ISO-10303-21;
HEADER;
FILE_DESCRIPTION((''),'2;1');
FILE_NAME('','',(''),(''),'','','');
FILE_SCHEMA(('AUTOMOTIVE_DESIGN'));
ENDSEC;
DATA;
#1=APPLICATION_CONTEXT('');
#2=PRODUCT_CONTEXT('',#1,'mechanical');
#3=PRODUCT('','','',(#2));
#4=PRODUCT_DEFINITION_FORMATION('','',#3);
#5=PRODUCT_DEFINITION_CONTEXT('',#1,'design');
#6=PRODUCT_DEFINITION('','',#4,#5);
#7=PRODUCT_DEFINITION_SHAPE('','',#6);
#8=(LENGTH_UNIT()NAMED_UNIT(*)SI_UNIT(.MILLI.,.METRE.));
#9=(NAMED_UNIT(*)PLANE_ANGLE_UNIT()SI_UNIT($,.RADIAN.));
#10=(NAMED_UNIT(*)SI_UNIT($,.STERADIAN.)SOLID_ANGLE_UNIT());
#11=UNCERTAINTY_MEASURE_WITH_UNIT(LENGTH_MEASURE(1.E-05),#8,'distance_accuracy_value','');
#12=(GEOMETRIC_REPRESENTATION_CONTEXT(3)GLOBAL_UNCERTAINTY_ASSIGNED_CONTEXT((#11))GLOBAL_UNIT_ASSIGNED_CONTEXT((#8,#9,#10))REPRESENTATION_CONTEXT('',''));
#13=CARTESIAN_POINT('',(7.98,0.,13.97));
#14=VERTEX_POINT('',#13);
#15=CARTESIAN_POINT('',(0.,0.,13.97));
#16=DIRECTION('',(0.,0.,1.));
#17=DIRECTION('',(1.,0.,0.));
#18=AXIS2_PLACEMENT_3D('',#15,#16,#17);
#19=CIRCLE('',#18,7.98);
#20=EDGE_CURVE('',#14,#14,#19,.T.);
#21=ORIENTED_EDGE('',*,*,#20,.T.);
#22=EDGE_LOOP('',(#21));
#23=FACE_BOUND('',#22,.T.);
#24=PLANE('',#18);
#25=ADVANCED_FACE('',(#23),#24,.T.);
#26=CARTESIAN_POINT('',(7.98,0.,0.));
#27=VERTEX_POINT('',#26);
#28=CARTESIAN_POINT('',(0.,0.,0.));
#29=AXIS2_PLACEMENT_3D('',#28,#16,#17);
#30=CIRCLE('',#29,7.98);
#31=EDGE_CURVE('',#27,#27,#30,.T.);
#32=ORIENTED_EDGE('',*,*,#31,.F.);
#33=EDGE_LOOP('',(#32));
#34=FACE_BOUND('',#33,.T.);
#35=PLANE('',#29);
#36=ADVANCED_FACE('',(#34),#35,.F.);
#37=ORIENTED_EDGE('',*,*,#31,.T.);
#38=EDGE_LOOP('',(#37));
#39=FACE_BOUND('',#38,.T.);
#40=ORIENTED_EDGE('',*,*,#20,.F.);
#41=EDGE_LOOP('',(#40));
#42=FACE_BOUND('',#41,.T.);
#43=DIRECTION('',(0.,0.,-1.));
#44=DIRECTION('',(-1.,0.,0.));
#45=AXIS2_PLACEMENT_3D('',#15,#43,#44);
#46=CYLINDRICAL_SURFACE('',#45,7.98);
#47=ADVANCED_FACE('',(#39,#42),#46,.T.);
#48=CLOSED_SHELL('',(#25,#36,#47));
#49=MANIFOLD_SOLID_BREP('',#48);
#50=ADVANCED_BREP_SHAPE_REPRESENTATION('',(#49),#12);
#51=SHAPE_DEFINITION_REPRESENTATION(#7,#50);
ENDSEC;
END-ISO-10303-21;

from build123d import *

# Parameters (mm, degrees)
SKETCH1_R      = 7.98
EXTRUDE1_DEPTH = 13.97


with BuildPart() as part:
    # Sketch1 → Extrude1 (new body)
    with BuildSketch(Plane.XY):
        Circle(SKETCH1_R)
    extrude(amount=EXTRUDE1_DEPTH)


solid = part.part
